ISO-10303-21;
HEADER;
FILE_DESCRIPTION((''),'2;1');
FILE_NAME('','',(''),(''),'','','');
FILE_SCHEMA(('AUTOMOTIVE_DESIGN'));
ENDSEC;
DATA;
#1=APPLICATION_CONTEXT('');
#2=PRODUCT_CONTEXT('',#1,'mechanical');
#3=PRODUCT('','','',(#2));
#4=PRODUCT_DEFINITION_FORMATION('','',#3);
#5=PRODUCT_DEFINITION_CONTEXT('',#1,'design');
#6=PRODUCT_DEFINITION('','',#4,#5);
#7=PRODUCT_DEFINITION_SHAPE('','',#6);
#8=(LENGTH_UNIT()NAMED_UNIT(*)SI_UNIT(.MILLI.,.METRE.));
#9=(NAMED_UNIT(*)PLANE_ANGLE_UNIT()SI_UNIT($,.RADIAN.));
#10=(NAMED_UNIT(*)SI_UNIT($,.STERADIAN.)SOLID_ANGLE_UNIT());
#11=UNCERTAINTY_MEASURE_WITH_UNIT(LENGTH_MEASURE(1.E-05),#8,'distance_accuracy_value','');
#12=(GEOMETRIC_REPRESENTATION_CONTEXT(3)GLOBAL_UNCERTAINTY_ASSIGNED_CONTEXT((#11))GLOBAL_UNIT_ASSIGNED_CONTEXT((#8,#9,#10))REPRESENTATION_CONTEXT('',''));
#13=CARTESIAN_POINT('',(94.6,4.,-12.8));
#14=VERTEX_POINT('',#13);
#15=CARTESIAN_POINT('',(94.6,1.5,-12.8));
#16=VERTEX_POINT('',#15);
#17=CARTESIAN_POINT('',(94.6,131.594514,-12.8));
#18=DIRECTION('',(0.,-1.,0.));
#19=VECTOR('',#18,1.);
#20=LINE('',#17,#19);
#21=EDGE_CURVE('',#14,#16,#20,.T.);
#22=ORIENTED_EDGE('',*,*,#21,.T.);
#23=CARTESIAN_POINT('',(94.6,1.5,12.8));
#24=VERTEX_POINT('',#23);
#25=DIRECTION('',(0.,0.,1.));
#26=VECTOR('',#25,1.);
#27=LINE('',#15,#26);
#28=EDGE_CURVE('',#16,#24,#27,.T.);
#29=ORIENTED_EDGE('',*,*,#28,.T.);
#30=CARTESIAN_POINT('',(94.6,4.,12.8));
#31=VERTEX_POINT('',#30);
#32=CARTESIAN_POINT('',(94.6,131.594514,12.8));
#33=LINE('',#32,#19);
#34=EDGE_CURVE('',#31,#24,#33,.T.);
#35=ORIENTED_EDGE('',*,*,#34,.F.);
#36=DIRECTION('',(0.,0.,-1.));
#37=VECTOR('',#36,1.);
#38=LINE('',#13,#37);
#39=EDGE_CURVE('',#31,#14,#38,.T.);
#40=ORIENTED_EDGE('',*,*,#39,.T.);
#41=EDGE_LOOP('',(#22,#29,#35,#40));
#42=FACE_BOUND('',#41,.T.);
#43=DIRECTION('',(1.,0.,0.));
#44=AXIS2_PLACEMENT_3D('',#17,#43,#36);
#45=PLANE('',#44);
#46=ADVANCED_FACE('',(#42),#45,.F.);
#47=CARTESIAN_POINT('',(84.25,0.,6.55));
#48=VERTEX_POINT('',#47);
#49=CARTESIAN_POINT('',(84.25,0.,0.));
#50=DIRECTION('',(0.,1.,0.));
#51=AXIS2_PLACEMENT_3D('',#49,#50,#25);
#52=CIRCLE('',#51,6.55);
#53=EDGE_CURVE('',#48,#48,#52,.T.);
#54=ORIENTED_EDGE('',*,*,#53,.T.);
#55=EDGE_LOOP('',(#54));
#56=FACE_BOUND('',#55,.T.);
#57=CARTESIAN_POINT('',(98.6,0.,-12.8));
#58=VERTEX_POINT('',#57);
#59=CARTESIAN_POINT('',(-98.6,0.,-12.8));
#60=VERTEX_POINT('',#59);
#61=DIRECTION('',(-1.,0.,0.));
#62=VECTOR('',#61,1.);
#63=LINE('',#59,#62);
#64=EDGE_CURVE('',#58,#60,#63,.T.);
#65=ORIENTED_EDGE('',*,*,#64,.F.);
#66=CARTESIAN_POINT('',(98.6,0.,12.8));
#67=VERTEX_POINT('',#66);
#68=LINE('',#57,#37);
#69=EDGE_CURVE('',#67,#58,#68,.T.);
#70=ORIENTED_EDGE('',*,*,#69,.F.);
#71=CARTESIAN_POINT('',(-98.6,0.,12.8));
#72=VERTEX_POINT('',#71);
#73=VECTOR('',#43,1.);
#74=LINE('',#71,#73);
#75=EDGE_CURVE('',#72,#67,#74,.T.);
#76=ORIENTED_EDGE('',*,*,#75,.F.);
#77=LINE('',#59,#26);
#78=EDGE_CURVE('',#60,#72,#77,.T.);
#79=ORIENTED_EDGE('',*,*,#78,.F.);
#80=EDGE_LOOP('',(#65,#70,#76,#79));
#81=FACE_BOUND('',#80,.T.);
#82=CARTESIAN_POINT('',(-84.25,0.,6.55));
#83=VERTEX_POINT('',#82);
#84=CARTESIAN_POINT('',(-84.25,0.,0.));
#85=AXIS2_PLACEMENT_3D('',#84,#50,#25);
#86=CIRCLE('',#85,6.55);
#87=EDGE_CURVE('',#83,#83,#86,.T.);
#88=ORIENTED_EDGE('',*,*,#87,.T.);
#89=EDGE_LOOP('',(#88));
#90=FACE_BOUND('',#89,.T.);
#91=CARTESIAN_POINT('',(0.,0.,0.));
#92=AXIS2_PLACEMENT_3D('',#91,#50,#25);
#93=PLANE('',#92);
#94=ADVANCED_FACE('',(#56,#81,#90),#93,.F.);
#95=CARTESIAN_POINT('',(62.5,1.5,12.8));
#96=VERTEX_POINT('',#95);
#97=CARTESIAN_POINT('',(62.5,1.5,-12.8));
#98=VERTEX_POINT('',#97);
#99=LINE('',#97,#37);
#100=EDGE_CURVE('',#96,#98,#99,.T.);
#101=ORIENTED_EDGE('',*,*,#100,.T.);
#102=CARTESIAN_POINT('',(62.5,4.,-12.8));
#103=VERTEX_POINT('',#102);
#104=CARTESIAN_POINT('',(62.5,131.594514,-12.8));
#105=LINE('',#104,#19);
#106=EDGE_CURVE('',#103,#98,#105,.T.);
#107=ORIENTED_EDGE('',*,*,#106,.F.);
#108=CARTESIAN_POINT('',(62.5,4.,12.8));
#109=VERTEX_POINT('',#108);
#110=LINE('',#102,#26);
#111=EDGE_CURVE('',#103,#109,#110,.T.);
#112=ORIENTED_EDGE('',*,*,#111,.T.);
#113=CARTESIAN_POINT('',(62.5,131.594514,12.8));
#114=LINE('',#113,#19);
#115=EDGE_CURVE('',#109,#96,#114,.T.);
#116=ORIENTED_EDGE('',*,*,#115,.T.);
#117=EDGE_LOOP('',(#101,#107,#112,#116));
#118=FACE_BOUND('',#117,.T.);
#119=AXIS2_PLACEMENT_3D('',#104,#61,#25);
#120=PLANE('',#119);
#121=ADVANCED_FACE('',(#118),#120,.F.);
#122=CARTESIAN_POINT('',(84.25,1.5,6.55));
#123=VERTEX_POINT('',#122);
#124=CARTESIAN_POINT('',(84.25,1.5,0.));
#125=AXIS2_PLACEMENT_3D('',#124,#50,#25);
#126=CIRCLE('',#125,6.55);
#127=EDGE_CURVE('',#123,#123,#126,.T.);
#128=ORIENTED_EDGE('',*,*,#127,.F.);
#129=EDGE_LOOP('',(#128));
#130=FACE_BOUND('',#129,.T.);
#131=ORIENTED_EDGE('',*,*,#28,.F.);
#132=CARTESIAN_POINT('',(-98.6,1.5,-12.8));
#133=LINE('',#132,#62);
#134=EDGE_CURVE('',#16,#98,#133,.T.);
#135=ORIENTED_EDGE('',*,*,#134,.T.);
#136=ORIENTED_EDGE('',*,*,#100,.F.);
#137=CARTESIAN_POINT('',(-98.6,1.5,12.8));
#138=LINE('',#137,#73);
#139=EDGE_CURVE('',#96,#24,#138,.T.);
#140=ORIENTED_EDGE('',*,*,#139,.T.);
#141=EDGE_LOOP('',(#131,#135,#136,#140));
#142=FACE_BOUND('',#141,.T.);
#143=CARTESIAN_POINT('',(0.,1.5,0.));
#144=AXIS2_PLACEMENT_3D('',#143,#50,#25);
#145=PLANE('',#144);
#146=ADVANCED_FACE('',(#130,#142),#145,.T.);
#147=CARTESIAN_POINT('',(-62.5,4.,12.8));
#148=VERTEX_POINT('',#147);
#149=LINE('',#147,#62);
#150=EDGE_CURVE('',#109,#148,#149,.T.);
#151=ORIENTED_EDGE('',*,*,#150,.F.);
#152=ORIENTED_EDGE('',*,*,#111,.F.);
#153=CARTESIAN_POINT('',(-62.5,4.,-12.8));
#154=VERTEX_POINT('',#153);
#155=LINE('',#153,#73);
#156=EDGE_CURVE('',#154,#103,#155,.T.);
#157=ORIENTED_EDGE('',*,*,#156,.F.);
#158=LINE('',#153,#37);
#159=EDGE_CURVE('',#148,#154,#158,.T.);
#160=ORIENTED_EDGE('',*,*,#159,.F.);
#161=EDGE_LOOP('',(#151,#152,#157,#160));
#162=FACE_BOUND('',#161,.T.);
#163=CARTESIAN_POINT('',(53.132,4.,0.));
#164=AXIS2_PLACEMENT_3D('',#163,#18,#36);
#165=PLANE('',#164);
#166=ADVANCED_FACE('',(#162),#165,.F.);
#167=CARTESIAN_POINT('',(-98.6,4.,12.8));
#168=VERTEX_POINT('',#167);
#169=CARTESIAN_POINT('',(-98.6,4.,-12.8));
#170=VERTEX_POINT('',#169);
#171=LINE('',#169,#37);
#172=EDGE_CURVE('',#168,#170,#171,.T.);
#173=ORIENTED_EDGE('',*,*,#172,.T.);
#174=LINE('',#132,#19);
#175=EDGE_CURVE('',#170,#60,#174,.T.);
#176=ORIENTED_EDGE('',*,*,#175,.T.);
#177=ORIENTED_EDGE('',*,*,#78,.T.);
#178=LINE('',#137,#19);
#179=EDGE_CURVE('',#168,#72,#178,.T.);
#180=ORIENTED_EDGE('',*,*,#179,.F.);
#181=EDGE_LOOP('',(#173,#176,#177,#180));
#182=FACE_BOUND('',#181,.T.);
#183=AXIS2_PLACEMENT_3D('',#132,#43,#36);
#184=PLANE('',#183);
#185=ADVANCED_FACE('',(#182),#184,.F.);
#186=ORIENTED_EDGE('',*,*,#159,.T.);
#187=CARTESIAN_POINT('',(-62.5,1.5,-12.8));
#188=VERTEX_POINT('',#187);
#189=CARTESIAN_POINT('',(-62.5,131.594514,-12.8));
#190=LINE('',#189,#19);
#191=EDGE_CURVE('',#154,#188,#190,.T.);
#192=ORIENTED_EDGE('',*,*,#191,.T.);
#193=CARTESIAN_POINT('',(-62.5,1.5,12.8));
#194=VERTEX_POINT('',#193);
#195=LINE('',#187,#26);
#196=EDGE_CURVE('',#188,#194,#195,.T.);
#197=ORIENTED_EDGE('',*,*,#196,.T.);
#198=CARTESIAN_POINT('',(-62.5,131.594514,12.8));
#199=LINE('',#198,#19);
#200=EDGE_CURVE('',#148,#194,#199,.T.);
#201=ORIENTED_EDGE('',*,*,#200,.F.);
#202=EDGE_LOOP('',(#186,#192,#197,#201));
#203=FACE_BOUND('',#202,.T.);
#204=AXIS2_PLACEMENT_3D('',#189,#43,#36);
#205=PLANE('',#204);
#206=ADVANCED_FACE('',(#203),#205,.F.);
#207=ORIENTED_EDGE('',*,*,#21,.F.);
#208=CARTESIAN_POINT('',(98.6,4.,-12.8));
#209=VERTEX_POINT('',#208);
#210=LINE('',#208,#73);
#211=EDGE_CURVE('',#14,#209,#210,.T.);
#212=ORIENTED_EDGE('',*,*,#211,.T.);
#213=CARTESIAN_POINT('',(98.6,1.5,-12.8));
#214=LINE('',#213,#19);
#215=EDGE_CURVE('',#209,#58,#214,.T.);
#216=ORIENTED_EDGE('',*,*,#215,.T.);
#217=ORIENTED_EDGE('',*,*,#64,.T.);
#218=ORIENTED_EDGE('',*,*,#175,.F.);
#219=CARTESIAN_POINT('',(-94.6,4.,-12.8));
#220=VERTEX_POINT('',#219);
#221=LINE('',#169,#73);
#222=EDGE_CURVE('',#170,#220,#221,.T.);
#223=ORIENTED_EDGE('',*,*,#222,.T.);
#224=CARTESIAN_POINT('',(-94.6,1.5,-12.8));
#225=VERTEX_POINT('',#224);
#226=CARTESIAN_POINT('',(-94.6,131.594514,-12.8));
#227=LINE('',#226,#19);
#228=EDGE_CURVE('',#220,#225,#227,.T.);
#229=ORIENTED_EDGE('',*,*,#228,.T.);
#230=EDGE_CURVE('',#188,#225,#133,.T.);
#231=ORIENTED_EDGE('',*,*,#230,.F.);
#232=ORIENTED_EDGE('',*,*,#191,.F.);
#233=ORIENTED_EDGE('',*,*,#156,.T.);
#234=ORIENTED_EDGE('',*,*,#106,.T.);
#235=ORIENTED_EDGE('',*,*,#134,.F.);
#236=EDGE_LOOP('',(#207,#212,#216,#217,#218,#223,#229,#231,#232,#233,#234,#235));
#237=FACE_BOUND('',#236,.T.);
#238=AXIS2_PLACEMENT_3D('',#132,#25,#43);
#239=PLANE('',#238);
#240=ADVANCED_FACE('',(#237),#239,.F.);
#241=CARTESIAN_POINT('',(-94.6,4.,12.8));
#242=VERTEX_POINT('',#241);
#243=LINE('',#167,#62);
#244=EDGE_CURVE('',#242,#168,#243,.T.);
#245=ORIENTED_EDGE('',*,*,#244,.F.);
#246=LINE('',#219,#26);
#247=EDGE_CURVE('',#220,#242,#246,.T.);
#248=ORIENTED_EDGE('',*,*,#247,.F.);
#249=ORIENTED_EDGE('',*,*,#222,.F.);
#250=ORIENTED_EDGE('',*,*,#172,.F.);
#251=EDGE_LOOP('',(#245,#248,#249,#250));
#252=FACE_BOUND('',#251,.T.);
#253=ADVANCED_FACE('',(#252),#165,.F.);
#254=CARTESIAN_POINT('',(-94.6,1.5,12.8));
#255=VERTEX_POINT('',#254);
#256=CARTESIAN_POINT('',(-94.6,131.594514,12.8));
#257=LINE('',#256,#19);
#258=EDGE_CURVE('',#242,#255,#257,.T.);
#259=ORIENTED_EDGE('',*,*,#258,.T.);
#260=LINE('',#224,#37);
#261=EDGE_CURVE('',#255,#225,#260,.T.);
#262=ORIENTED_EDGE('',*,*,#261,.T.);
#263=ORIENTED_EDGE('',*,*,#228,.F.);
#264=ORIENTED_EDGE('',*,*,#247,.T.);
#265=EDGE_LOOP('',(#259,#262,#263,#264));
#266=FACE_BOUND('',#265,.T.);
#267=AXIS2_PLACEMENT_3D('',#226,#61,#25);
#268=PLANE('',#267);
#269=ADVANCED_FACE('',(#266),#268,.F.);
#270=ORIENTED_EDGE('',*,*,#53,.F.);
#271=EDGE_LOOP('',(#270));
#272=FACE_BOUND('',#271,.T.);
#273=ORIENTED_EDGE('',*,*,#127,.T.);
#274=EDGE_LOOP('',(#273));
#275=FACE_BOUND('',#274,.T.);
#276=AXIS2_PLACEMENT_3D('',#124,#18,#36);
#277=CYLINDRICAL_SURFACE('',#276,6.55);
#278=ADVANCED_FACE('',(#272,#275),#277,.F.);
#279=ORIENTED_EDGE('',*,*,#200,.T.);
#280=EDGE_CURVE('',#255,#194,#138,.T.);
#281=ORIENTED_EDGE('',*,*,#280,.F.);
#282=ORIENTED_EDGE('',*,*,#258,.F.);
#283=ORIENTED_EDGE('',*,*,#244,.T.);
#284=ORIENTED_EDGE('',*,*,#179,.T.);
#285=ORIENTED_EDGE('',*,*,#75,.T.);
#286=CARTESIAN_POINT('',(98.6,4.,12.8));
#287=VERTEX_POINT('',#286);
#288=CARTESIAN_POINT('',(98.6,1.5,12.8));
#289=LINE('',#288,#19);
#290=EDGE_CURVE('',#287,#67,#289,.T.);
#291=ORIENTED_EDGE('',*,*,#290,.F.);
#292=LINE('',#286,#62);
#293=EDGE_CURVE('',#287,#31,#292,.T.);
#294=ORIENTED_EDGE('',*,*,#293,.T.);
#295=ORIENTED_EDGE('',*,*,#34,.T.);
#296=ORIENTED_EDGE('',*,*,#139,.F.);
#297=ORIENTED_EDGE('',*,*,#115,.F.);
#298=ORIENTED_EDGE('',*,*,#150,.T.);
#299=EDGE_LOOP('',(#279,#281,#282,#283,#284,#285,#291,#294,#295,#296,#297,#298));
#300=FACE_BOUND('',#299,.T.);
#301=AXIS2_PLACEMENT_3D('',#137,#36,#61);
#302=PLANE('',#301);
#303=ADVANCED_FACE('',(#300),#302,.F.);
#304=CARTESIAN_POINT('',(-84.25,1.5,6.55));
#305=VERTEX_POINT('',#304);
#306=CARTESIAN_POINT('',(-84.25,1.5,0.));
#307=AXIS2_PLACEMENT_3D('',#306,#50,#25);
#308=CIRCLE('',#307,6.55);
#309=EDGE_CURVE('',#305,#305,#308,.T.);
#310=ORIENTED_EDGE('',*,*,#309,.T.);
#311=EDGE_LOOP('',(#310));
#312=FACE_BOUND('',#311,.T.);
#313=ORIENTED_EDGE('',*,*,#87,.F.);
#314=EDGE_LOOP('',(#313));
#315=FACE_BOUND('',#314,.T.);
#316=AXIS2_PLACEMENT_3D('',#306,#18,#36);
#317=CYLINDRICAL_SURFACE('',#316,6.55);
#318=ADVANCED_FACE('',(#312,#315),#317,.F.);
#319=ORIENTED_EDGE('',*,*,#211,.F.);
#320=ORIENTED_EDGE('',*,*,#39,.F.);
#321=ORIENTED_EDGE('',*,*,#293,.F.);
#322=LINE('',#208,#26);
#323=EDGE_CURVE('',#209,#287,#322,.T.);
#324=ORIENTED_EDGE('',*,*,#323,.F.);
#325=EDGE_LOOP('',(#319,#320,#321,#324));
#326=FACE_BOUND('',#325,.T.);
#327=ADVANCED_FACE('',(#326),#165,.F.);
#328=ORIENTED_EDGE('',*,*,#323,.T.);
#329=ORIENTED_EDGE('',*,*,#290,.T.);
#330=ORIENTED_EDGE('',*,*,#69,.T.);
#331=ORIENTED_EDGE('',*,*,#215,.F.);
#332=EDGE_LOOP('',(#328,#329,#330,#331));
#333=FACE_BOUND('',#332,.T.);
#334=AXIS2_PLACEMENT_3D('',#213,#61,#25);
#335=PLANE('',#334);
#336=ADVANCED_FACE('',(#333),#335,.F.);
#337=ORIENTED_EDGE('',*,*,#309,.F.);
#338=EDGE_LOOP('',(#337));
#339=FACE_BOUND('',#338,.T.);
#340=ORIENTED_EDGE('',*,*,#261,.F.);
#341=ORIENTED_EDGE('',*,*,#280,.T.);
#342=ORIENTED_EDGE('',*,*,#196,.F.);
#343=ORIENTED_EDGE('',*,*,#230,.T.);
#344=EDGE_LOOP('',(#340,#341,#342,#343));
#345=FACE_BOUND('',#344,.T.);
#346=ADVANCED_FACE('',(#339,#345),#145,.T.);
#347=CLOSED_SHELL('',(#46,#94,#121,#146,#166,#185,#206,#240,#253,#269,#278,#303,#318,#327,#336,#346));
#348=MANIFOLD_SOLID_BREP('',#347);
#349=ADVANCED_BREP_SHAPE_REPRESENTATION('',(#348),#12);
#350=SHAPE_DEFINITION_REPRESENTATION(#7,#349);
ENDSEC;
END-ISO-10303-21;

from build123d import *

# Parameters (mm, degrees)
SKETCH1_W           = 197.2
SKETCH1_H           = 25.6
SKETCH1_R           = 6.55
BOSS_EXTRUDE1_DEPTH = 1.5
SKETCH3_W           = 125
SKETCH3_H           = 25.6
SKETCH3_W_2         = 4
BOSS_EXTRUDE3_DEPTH = 2.5


with BuildPart() as part:
    # Sketch1 → Boss-Extrude1 (new body)
    with BuildSketch(Plane(origin=(0, 0, 0), x_dir=(1, 0, 0), z_dir=(0, 1, 0))):
        Rectangle(SKETCH1_W, SKETCH1_H)
        with Locations(Location((-84.25, 0, 0), (0, 0, 270))):
            Circle(SKETCH1_R, mode=Mode.SUBTRACT)
        with Locations(Location((84.25, 0, 0), (0, 0, 270))):
            Circle(SKETCH1_R, mode=Mode.SUBTRACT)
    extrude(amount=BOSS_EXTRUDE1_DEPTH)

    # Sketch3 → Boss-Extrude3 (add)
    with BuildSketch(Plane(origin=(0, 1.5, 0), x_dir=(1, 0, 0), z_dir=(0, 1, 0))):
        Rectangle(SKETCH3_W, SKETCH3_H)
        with Locations((-96.6, 0)):
            Rectangle(SKETCH3_W_2, SKETCH3_H)
        with Locations((96.6, 0)):
            Rectangle(SKETCH3_W_2, SKETCH3_H)
    extrude(amount=BOSS_EXTRUDE3_DEPTH)


solid = part.part
